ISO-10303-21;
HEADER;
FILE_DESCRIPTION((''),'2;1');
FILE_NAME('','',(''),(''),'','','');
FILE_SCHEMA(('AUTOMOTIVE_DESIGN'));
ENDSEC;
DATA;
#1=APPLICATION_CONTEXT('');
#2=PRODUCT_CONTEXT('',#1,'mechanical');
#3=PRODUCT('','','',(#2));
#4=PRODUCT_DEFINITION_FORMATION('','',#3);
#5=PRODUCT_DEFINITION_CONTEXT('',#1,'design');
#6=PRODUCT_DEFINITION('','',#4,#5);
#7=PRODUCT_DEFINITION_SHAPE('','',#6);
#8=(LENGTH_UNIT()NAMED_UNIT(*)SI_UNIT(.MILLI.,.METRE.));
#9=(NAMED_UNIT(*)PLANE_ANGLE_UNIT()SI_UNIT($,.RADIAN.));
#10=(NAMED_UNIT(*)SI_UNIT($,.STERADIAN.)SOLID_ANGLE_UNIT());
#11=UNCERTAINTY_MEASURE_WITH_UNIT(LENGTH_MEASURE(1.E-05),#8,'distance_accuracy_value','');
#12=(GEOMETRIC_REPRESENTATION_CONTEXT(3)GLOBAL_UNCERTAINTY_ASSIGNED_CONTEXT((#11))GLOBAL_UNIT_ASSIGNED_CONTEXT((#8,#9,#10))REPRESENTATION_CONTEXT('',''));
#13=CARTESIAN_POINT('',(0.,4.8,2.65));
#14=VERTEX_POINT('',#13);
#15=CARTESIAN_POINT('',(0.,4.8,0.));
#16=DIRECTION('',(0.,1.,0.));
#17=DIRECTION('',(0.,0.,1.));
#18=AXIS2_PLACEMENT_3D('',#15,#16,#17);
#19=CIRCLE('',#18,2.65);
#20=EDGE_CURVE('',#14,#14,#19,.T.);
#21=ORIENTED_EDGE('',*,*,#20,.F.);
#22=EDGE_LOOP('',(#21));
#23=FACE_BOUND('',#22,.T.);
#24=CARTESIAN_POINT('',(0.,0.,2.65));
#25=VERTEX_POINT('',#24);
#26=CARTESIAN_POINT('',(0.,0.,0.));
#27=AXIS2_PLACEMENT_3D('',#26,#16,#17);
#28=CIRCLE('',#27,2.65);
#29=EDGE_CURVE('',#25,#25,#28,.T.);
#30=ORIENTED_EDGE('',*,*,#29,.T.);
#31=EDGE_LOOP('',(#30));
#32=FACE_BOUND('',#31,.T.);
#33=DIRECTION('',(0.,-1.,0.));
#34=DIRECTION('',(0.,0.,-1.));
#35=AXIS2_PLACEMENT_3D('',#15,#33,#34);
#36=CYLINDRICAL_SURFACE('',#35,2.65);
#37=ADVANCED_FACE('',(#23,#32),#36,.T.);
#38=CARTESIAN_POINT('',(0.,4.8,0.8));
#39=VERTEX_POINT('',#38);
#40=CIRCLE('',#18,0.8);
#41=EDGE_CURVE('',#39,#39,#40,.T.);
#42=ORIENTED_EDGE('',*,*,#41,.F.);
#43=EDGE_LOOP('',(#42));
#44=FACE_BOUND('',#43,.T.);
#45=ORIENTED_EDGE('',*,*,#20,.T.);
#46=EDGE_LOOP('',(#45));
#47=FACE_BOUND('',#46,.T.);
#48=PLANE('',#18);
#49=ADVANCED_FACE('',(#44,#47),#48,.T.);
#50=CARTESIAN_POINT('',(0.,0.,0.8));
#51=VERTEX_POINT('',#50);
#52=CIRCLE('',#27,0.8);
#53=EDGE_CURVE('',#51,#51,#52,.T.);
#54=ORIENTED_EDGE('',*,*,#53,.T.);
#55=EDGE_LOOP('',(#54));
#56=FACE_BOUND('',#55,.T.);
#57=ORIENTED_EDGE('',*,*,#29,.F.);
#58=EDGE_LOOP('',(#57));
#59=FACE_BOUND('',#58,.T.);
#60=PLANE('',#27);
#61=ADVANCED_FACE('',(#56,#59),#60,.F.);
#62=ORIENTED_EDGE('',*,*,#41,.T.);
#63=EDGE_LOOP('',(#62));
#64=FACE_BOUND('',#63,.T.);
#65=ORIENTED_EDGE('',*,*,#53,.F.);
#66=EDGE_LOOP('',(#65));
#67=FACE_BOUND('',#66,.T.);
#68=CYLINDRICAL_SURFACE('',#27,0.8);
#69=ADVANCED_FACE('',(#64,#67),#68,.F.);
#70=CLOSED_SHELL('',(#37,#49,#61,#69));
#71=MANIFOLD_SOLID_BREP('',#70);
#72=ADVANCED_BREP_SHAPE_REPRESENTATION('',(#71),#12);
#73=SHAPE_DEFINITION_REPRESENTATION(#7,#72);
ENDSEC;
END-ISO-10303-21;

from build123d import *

# Parameters (mm, degrees)
SKETCH_1_R          = 2.65
EXTRUDE_1_DEPTH     = 4.8
SKETCH_2_R          = 0.8
CUT_EXTRUDE_1_DEPTH = 7.089745479


with BuildPart() as part:
    # 草图1 → 凸台-拉伸1 (new body)
    with BuildSketch(Plane(origin=(0, 0, 0), x_dir=(1, 0, 0), z_dir=(0, 1, 0))):
        Circle(SKETCH_1_R)
    extrude(amount=EXTRUDE_1_DEPTH)

    # 草图2 → 切除-拉伸1 (cut, through all)
    with BuildSketch(Plane(origin=(0, 4.8, 0), x_dir=(1, 0, 0), z_dir=(0, 1, 0))):
        Circle(SKETCH_2_R)
    extrude(amount=-CUT_EXTRUDE_1_DEPTH, mode=Mode.SUBTRACT)


solid = part.part
